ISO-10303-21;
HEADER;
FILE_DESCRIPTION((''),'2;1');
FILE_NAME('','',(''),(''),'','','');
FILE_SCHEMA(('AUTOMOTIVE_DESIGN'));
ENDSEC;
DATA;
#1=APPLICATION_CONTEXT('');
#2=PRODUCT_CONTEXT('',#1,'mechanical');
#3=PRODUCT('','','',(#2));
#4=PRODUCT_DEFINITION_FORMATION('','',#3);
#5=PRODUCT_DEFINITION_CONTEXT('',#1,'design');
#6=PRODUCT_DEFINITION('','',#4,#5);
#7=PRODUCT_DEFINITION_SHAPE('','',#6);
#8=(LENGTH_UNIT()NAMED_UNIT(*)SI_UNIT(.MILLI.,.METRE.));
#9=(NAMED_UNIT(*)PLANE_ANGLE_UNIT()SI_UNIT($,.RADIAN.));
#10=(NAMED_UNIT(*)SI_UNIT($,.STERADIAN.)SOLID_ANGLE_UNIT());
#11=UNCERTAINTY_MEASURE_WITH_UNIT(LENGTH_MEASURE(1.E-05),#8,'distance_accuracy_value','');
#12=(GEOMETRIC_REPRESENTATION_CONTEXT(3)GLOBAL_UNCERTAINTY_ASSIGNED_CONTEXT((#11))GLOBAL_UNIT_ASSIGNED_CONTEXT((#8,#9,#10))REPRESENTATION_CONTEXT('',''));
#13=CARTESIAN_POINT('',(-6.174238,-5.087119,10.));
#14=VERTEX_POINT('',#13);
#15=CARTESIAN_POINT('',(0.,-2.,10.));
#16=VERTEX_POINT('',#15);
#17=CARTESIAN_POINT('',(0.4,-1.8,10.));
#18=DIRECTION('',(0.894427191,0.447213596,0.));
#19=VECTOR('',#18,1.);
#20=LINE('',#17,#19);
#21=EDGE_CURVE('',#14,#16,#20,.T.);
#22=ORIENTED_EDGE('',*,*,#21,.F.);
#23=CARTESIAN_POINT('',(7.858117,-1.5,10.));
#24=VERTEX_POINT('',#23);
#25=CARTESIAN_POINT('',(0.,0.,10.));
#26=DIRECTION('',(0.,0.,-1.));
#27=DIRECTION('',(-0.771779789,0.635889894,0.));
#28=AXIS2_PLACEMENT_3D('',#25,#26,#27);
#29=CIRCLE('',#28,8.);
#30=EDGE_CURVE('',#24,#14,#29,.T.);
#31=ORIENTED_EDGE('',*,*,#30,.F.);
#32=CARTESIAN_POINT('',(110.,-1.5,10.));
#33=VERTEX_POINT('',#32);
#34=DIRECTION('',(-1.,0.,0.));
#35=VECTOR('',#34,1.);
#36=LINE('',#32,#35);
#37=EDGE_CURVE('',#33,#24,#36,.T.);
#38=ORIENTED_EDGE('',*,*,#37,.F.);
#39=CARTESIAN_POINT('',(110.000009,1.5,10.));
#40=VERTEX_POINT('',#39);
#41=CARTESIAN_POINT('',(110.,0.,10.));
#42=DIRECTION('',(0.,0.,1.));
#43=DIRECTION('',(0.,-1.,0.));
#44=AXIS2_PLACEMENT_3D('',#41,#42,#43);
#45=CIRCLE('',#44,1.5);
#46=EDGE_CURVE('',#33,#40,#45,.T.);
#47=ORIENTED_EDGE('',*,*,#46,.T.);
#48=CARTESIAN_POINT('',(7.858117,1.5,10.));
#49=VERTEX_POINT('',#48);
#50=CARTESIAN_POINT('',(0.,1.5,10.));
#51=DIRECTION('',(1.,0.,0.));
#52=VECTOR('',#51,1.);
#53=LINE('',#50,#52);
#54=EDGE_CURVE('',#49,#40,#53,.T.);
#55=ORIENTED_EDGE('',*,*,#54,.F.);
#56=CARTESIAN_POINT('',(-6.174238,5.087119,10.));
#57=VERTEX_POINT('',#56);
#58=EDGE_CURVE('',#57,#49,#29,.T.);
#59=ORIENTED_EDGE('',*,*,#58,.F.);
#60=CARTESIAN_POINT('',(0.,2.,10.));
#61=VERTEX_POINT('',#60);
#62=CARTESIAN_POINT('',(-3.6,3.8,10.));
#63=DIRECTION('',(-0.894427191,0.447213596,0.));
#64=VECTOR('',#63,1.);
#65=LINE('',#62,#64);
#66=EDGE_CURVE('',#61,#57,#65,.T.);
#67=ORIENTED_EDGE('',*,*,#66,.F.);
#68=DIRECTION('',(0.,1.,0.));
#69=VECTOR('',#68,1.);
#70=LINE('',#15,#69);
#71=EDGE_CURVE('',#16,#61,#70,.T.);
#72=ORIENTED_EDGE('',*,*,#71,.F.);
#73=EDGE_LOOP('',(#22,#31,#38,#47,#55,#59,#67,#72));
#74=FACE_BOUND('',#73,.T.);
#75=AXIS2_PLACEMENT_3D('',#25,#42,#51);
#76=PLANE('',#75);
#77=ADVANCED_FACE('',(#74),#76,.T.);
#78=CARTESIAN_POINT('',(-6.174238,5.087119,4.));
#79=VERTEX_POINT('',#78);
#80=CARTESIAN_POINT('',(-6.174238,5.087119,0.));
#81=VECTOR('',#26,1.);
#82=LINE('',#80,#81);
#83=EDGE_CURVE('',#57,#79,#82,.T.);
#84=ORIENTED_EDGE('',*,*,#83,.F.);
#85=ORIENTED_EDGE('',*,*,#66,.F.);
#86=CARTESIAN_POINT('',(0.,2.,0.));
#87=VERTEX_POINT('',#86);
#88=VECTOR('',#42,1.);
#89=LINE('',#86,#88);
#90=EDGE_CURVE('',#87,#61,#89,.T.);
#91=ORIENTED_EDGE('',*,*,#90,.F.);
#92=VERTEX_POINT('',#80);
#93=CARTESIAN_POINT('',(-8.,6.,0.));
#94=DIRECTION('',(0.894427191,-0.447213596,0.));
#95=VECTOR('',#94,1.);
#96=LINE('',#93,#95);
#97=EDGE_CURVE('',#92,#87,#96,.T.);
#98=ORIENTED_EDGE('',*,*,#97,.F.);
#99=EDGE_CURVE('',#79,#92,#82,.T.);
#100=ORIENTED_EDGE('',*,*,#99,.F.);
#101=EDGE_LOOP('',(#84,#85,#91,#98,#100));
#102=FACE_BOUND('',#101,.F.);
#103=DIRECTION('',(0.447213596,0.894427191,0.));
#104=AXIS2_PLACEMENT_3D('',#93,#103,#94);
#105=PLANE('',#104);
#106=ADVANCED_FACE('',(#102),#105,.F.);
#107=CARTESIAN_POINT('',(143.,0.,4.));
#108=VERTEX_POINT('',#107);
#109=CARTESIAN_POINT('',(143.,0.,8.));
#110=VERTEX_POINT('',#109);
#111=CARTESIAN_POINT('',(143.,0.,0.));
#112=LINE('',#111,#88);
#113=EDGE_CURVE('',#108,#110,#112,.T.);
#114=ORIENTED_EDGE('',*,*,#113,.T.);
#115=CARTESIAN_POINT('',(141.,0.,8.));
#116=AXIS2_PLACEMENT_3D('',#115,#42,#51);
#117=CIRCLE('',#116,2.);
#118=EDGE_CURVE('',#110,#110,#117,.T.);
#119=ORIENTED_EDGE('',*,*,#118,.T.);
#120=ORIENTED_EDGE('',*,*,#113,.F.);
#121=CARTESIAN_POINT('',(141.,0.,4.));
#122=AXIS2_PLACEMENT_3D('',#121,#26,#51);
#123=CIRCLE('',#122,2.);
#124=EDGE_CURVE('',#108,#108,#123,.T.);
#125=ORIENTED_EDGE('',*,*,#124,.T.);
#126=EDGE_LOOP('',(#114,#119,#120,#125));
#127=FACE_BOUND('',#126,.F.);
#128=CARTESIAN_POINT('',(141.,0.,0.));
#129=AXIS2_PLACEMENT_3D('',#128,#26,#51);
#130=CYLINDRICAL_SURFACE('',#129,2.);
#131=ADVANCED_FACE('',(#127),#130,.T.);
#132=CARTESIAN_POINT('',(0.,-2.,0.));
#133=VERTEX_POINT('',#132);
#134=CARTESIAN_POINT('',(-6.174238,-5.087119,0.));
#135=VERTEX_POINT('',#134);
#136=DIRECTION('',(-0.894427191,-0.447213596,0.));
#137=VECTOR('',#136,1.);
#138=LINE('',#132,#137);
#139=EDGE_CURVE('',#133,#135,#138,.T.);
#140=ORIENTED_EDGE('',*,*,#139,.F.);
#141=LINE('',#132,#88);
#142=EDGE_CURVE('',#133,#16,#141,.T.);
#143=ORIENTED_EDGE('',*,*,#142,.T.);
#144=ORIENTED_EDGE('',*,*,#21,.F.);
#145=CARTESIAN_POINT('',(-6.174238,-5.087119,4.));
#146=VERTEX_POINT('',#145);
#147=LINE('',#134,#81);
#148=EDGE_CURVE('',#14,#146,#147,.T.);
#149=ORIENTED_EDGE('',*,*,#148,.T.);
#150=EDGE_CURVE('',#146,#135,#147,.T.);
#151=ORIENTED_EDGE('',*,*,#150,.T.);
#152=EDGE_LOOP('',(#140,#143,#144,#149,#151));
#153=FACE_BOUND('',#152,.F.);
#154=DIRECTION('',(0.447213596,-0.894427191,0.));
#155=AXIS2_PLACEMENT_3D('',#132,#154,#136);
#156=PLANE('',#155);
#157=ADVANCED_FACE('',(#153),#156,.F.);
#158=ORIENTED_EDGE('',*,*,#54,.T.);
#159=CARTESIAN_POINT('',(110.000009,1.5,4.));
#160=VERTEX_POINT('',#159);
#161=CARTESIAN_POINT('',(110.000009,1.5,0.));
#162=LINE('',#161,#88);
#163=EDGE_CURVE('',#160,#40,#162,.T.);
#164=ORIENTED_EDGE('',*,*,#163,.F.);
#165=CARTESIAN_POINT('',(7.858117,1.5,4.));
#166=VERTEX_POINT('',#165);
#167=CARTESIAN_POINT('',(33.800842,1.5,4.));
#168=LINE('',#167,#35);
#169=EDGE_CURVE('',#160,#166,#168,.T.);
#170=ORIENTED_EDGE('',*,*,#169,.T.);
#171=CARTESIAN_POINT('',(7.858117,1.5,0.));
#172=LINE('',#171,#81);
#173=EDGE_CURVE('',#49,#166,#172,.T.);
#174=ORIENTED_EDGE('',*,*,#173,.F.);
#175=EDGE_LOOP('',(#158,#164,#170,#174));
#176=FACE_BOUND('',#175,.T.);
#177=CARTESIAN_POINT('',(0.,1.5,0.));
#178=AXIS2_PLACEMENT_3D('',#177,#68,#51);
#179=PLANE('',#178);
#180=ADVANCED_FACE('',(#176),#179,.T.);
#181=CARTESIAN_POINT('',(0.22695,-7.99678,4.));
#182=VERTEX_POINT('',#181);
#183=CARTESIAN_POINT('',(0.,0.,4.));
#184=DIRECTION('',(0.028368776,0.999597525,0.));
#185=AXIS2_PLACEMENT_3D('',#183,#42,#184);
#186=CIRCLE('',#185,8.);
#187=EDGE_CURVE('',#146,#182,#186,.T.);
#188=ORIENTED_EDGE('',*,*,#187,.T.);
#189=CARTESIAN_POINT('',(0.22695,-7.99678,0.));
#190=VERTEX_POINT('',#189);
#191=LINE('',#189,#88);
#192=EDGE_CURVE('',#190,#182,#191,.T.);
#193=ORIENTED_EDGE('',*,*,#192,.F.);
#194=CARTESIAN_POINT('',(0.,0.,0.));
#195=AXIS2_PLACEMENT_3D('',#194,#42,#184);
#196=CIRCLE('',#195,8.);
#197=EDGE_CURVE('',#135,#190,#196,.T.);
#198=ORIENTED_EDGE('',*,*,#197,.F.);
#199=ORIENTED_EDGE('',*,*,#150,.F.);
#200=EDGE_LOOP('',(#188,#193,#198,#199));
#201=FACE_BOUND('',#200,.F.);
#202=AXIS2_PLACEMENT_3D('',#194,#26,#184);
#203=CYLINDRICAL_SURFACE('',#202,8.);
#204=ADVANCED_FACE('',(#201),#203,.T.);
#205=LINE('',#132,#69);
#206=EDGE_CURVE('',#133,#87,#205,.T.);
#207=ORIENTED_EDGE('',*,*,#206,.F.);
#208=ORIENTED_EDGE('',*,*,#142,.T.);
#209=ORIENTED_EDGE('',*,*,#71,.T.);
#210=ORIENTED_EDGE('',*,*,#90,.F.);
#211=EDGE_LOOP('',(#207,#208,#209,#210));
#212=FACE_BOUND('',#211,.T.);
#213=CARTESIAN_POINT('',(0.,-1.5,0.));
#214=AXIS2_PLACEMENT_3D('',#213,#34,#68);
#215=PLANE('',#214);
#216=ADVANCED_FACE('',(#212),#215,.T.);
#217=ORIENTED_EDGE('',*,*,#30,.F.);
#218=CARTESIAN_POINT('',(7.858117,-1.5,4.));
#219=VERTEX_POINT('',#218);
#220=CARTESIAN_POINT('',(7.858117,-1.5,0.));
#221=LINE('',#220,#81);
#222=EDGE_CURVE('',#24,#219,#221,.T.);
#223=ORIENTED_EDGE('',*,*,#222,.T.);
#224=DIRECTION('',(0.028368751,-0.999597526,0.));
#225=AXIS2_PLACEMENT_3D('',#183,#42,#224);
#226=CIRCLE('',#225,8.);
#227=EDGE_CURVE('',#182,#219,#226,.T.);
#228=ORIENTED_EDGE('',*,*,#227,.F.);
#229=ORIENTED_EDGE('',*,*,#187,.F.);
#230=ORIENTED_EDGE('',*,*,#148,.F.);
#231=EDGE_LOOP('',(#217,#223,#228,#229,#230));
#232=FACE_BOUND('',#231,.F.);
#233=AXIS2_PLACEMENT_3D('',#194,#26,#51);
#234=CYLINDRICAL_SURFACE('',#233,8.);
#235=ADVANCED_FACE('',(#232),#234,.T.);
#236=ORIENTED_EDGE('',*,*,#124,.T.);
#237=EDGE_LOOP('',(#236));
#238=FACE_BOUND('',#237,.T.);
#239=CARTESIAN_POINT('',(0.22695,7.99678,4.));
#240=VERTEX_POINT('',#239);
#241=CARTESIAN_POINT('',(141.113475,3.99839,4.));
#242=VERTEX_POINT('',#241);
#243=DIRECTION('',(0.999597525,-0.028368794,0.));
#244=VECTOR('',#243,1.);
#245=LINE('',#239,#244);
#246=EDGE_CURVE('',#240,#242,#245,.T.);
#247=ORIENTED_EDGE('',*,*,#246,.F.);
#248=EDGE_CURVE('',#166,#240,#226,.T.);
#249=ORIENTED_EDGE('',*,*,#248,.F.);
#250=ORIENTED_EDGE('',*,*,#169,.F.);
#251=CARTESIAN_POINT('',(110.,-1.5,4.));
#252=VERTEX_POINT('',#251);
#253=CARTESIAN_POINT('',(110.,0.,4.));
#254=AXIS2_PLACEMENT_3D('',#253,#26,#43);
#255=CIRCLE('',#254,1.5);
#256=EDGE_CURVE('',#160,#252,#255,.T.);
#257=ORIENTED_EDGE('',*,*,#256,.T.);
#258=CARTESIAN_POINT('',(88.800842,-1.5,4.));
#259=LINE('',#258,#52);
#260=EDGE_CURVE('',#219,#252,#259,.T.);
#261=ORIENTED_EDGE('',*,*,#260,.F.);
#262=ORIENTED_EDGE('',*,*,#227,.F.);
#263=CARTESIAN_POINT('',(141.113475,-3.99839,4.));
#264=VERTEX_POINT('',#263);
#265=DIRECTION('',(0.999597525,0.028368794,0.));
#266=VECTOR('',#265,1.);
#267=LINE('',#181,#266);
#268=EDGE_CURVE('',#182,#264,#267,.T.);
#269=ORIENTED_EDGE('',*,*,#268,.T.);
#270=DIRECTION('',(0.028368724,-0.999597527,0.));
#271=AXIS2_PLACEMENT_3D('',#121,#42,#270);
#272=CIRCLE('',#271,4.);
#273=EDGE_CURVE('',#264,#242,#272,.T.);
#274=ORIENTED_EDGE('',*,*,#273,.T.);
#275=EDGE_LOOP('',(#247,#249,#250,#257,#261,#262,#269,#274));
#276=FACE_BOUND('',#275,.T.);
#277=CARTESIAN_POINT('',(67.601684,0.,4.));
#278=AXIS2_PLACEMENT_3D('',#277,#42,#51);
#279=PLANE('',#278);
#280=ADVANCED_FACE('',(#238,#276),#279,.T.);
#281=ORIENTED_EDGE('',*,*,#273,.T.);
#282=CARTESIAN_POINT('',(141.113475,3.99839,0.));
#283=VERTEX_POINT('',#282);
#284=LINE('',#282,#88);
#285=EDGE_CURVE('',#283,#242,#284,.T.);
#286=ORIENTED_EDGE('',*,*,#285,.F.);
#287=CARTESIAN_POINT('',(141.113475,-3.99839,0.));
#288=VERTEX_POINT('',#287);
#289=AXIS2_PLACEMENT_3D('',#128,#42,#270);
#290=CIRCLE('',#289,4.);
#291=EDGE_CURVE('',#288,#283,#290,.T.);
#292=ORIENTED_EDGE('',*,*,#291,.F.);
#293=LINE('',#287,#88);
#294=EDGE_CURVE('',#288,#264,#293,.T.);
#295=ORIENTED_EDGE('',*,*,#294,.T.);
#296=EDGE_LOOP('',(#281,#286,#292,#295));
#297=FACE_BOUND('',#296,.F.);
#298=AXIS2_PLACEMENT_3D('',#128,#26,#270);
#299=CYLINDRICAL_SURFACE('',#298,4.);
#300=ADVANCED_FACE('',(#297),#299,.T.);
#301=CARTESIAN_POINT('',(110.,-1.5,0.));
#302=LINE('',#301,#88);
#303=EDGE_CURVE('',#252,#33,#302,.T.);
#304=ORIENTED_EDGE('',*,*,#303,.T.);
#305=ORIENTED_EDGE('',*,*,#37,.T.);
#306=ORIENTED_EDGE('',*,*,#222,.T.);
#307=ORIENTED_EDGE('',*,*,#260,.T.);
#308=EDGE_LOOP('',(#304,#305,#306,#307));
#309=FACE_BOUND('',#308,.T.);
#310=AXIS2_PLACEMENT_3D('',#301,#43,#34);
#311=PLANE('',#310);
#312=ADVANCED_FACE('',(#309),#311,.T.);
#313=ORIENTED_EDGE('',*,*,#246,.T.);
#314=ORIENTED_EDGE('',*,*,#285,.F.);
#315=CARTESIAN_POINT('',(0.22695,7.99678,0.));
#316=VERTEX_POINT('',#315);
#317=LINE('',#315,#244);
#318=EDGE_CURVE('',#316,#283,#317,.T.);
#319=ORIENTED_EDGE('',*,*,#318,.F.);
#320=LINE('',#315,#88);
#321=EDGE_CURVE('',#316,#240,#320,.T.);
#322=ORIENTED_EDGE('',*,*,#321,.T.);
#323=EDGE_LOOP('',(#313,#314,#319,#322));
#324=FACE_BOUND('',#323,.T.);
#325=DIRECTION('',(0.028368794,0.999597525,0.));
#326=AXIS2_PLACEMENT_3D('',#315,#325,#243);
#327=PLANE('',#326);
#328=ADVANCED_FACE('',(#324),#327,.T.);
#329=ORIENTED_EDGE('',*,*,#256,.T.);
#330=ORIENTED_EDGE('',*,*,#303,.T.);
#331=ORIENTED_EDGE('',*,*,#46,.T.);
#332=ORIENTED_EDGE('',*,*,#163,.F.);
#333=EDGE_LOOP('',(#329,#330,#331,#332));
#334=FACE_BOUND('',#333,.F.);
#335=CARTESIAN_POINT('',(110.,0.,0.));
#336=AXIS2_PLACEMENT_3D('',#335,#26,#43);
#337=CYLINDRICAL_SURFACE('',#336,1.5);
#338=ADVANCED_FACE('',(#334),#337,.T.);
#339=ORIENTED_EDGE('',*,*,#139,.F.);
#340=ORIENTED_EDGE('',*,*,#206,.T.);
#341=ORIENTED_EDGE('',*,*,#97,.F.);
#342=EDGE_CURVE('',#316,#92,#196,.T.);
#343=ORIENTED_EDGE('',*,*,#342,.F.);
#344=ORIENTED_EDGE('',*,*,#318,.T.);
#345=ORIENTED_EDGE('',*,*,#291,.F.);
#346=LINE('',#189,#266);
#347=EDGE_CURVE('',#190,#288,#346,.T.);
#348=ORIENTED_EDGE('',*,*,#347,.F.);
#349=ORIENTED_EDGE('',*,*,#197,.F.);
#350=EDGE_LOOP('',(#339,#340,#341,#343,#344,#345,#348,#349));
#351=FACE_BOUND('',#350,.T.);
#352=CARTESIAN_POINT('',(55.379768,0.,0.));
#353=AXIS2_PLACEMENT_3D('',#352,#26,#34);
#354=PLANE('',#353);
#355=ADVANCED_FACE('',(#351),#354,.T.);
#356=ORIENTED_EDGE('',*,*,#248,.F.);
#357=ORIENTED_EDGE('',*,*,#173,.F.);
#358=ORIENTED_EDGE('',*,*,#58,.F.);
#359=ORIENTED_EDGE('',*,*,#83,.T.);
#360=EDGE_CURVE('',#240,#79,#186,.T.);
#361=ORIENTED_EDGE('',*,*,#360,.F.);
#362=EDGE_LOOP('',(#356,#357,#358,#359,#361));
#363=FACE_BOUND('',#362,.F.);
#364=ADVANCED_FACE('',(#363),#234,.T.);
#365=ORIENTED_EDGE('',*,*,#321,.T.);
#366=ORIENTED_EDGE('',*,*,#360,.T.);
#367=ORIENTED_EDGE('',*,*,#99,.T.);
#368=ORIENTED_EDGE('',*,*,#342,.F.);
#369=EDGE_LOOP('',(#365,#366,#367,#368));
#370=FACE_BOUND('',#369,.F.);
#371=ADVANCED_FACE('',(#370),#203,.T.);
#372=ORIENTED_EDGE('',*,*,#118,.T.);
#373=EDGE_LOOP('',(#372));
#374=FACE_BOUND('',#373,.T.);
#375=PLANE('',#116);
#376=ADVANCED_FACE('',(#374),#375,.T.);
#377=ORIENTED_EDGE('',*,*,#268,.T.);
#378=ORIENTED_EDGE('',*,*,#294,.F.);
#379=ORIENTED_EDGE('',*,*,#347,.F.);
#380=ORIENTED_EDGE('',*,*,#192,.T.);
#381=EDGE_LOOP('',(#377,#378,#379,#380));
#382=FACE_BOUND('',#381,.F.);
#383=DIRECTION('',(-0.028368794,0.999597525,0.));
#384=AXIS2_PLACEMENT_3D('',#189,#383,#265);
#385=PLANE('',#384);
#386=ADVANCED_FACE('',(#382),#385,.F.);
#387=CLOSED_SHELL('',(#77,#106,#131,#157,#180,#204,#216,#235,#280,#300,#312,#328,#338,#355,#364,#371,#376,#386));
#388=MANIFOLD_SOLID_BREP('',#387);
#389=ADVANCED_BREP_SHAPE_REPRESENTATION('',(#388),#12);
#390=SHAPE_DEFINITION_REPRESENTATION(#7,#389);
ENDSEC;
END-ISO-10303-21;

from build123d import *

# Parameters (mm, degrees)
PAD_DEPTH    = 4
SKETCH001_R  = 8
PAD001_DEPTH = 10
POCKET_DEPTH = 10.001
SKETCH003_R  = 2
PAD002_DEPTH = 8
PAD003_DEPTH = 10


with BuildPart() as part:
    # Sketch → Pad (new body)
    with BuildSketch(Plane.XY):
        with BuildLine():
            ThreePointArc((0.22695, 7.99678), (-8, 0), (0.22695, -7.99678))
            Line((0.22695, -7.99678), (141.113475, -3.99839))
            ThreePointArc((141.113475, -3.99839), (145, 0), (141.113475, 3.99839))
            Line((0.22695, 7.99678), (141.113475, 3.99839))
        make_face()
    extrude(amount=PAD_DEPTH)

    # Sketch001 → Pad001 (join)
    with BuildSketch(Plane.XY):
        Circle(SKETCH001_R)
    extrude(amount=PAD001_DEPTH)

    # Sketch002 → Pocket (cut, through all)
    with BuildSketch(Plane.XY):
        Polygon((0, -2), (-8, -6), (-8, 6), (0, 2), align=None)
    extrude(amount=POCKET_DEPTH, mode=Mode.SUBTRACT)

    # Sketch003 → Pad002 (join)
    with BuildSketch(Plane.XY):
        with Locations((141, 0)):
            Circle(SKETCH003_R)
    extrude(amount=PAD002_DEPTH)

    # Sketch004 → Pad003 (join)
    with BuildSketch(Plane.XY):
        with BuildLine():
            Line((0, 1.5), (110.000009, 1.5))
            ThreePointArc((110, -1.5), (111.5, -5e-06), (110.000009, 1.5))
            Line((110, -1.5), (0, -1.5))
            Line((0, -1.5), (0, 1.5))
        make_face()
    extrude(amount=PAD003_DEPTH)


solid = part.part
